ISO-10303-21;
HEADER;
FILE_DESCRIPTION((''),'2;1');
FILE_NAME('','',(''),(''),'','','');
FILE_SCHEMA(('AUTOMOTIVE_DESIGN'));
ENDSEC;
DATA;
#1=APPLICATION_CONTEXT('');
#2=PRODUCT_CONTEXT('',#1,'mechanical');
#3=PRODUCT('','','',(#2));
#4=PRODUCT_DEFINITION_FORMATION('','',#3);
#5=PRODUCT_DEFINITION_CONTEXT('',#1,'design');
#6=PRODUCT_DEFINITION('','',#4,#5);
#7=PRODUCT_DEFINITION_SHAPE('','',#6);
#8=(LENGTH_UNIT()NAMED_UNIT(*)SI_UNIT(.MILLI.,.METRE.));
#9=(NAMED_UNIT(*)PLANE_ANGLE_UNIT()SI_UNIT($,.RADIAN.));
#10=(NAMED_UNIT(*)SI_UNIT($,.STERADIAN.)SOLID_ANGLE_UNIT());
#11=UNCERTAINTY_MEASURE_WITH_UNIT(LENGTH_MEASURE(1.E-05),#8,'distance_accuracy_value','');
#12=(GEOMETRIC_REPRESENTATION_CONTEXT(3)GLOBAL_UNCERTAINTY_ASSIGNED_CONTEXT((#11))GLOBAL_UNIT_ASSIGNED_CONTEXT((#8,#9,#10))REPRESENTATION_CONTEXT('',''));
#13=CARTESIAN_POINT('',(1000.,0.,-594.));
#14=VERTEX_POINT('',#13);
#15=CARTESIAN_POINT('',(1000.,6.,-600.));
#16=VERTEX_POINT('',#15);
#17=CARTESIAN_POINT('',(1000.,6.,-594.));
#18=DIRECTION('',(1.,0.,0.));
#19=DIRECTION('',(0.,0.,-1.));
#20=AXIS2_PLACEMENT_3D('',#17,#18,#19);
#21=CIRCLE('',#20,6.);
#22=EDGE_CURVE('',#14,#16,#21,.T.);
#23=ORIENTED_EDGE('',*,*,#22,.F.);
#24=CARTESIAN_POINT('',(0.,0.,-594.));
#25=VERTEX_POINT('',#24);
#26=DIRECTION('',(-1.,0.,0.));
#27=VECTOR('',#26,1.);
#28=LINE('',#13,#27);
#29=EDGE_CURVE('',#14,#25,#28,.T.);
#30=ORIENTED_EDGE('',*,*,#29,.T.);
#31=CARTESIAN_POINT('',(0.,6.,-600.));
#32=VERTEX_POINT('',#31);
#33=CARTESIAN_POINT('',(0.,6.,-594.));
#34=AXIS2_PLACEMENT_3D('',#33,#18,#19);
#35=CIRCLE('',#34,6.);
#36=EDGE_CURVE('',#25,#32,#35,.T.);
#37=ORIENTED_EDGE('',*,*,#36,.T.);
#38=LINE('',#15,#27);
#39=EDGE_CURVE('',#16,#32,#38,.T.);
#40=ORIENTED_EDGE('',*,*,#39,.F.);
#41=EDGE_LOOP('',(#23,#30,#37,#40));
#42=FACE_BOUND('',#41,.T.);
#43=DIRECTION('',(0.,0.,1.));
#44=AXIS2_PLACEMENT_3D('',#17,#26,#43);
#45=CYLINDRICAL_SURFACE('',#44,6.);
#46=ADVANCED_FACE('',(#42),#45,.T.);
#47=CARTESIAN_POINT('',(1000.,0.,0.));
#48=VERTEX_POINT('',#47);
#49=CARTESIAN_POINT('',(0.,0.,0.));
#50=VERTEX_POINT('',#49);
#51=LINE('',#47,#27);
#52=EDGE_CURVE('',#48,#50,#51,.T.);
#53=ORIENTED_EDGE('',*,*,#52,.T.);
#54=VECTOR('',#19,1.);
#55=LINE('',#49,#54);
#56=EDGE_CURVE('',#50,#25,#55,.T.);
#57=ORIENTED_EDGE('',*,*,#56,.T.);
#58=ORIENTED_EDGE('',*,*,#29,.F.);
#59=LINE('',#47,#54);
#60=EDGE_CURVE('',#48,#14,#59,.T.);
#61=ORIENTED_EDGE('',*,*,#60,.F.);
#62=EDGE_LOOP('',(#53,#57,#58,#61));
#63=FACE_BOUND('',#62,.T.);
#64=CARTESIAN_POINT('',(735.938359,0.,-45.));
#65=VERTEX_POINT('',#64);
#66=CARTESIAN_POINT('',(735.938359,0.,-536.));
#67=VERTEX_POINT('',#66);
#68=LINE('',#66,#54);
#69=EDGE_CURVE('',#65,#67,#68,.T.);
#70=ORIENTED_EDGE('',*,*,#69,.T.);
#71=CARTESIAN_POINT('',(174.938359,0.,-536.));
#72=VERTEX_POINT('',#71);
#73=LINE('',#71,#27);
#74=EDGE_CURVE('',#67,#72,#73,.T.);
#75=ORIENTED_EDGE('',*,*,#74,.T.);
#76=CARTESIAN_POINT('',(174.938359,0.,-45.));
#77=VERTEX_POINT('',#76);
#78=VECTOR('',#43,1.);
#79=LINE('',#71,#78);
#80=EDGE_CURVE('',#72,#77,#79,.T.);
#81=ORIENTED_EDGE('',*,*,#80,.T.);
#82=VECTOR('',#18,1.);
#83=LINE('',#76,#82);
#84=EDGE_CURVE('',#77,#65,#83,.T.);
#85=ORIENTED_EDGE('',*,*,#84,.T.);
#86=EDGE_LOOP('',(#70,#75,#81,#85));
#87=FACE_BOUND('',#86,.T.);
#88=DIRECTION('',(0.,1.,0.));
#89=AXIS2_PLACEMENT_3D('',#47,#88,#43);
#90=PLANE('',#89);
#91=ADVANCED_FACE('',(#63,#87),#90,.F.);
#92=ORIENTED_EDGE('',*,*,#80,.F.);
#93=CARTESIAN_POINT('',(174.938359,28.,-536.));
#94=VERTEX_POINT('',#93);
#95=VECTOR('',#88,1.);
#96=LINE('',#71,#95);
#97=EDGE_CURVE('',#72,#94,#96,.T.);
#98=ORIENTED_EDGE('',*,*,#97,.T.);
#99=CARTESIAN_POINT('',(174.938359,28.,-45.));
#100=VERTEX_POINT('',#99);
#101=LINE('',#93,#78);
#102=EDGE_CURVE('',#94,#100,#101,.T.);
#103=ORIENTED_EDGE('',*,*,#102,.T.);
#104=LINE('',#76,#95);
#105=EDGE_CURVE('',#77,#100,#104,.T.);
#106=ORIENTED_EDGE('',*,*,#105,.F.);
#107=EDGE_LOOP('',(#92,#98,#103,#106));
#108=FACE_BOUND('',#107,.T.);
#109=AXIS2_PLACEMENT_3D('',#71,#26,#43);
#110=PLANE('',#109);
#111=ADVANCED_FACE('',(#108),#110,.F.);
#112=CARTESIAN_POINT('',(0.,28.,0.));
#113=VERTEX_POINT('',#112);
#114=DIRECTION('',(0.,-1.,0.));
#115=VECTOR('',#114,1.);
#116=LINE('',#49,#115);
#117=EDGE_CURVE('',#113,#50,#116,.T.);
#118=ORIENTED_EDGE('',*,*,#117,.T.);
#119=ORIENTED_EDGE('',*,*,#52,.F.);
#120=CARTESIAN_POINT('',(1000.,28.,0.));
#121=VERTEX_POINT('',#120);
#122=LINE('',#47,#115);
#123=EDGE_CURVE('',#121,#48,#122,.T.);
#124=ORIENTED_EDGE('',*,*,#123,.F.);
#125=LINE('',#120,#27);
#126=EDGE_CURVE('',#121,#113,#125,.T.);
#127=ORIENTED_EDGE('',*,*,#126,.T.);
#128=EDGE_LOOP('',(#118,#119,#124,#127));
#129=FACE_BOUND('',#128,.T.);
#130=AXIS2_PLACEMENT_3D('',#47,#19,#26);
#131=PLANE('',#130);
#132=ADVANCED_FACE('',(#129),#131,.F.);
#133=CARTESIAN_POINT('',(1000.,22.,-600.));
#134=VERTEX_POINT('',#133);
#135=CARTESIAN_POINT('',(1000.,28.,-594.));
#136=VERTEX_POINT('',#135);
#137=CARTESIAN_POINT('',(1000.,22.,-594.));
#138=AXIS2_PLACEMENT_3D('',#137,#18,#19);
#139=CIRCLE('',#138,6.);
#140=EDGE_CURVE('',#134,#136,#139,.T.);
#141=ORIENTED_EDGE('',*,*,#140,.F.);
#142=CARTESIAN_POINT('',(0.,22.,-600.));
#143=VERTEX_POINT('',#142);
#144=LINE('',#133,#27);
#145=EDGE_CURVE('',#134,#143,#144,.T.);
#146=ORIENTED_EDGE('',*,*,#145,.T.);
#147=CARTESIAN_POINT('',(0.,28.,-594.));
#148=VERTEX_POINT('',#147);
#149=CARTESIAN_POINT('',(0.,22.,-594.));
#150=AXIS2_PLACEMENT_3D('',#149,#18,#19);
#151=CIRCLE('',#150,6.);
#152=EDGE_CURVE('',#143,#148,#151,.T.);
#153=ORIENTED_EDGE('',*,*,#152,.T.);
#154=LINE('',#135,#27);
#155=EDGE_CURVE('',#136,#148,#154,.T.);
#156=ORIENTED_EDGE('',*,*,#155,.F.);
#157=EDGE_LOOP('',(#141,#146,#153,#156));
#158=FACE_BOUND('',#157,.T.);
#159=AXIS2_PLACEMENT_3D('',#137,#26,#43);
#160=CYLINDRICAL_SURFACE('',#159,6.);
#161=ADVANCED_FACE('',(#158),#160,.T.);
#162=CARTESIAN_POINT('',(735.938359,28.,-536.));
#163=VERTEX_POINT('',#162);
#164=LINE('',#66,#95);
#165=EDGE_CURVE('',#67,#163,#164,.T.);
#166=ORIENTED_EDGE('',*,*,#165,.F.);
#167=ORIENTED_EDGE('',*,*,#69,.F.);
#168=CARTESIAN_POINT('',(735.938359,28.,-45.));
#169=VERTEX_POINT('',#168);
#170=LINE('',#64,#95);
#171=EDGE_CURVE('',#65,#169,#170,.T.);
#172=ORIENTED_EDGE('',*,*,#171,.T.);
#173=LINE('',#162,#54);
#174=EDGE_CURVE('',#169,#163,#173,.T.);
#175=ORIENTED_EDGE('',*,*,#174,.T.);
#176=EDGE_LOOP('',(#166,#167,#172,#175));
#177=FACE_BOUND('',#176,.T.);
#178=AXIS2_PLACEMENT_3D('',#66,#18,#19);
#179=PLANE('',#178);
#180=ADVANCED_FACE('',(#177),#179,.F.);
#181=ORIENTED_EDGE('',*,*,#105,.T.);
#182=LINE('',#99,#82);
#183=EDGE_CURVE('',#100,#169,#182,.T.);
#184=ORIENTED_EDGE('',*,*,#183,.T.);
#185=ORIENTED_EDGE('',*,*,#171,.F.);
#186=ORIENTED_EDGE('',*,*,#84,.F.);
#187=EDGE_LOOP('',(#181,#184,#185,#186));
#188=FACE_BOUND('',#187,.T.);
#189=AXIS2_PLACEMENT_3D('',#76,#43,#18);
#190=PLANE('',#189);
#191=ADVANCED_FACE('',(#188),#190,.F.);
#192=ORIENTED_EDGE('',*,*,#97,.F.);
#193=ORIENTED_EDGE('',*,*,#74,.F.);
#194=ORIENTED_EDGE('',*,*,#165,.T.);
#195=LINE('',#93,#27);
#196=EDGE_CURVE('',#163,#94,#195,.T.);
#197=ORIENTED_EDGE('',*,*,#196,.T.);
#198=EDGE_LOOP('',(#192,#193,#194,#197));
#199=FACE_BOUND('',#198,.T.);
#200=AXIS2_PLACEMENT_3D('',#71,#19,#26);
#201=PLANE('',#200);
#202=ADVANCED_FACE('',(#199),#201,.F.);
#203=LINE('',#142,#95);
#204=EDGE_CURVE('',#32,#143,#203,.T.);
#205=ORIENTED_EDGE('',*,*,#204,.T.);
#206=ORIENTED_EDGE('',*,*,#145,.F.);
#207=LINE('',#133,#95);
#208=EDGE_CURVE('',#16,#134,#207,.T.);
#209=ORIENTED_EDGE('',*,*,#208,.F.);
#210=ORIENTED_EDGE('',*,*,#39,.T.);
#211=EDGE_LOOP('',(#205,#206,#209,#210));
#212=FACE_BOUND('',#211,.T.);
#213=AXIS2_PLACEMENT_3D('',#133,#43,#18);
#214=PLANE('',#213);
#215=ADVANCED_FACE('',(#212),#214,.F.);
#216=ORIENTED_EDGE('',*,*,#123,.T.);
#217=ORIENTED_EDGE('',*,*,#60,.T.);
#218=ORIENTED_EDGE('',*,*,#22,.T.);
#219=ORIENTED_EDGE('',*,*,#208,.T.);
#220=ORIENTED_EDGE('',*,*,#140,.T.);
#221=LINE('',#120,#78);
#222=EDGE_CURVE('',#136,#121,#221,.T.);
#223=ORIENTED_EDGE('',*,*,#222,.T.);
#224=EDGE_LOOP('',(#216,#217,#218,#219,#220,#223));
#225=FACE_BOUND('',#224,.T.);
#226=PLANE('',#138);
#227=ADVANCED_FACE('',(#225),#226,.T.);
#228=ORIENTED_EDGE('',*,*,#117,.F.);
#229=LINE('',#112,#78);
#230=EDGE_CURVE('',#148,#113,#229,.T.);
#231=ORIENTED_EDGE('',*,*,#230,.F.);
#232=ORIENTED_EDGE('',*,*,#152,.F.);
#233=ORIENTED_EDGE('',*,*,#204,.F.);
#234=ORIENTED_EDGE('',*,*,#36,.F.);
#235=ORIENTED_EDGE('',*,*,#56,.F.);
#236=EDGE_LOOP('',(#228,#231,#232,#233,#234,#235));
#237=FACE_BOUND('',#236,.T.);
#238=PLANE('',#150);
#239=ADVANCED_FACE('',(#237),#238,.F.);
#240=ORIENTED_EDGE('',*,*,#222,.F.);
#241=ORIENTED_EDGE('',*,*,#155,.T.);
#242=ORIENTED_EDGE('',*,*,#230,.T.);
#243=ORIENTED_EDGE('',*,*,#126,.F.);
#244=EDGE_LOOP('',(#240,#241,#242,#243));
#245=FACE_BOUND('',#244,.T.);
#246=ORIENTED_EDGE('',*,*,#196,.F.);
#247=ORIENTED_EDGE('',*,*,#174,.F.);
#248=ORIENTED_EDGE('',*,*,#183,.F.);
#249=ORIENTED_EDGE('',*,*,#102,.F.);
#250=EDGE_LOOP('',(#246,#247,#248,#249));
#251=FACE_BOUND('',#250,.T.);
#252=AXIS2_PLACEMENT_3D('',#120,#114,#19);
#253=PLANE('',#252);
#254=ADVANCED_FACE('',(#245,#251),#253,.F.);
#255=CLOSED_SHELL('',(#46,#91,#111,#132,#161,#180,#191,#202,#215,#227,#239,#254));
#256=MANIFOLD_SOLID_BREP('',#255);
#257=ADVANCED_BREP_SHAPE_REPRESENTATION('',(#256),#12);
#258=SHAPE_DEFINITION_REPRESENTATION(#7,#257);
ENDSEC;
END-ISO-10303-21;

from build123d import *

# Parameters (mm, degrees)
EXTRUDE_1_DEPTH     = 1000
SKETCH_3_W          = 561
SKETCH_3_H          = 491
CUT_EXTRUDE_1_DEPTH = 29


with BuildPart() as part:
    # Эскиз2 → Бобышка-Вытянуть1 (new body)
    with BuildSketch(Plane(origin=(0, 0, 0), x_dir=(0, 0, -1), z_dir=(1, 0, 0))):
        with BuildLine():
            Line((0, 0), (594, 0))
            ThreePointArc((594, 0), (598.242640687, 1.757359313), (600, 6))
            Line((600, 6), (600, 22))
            ThreePointArc((600, 22), (598.242640687, 26.242640687), (594, 28))
            Line((594, 28), (0, 28))
            Line((0, 28), (0, 0))
        make_face()
    extrude(amount=EXTRUDE_1_DEPTH)

    # Эскиз3 → Вырез-Вытянуть1 (cut, through all)
    with BuildSketch(Plane(origin=(0, 28, 0), x_dir=(1, 0, 0), z_dir=(0, 1, 0))):
        with Locations((455.438358963, 290.5)):
            Rectangle(SKETCH_3_W, SKETCH_3_H)
    extrude(amount=-CUT_EXTRUDE_1_DEPTH, mode=Mode.SUBTRACT)


solid = part.part
